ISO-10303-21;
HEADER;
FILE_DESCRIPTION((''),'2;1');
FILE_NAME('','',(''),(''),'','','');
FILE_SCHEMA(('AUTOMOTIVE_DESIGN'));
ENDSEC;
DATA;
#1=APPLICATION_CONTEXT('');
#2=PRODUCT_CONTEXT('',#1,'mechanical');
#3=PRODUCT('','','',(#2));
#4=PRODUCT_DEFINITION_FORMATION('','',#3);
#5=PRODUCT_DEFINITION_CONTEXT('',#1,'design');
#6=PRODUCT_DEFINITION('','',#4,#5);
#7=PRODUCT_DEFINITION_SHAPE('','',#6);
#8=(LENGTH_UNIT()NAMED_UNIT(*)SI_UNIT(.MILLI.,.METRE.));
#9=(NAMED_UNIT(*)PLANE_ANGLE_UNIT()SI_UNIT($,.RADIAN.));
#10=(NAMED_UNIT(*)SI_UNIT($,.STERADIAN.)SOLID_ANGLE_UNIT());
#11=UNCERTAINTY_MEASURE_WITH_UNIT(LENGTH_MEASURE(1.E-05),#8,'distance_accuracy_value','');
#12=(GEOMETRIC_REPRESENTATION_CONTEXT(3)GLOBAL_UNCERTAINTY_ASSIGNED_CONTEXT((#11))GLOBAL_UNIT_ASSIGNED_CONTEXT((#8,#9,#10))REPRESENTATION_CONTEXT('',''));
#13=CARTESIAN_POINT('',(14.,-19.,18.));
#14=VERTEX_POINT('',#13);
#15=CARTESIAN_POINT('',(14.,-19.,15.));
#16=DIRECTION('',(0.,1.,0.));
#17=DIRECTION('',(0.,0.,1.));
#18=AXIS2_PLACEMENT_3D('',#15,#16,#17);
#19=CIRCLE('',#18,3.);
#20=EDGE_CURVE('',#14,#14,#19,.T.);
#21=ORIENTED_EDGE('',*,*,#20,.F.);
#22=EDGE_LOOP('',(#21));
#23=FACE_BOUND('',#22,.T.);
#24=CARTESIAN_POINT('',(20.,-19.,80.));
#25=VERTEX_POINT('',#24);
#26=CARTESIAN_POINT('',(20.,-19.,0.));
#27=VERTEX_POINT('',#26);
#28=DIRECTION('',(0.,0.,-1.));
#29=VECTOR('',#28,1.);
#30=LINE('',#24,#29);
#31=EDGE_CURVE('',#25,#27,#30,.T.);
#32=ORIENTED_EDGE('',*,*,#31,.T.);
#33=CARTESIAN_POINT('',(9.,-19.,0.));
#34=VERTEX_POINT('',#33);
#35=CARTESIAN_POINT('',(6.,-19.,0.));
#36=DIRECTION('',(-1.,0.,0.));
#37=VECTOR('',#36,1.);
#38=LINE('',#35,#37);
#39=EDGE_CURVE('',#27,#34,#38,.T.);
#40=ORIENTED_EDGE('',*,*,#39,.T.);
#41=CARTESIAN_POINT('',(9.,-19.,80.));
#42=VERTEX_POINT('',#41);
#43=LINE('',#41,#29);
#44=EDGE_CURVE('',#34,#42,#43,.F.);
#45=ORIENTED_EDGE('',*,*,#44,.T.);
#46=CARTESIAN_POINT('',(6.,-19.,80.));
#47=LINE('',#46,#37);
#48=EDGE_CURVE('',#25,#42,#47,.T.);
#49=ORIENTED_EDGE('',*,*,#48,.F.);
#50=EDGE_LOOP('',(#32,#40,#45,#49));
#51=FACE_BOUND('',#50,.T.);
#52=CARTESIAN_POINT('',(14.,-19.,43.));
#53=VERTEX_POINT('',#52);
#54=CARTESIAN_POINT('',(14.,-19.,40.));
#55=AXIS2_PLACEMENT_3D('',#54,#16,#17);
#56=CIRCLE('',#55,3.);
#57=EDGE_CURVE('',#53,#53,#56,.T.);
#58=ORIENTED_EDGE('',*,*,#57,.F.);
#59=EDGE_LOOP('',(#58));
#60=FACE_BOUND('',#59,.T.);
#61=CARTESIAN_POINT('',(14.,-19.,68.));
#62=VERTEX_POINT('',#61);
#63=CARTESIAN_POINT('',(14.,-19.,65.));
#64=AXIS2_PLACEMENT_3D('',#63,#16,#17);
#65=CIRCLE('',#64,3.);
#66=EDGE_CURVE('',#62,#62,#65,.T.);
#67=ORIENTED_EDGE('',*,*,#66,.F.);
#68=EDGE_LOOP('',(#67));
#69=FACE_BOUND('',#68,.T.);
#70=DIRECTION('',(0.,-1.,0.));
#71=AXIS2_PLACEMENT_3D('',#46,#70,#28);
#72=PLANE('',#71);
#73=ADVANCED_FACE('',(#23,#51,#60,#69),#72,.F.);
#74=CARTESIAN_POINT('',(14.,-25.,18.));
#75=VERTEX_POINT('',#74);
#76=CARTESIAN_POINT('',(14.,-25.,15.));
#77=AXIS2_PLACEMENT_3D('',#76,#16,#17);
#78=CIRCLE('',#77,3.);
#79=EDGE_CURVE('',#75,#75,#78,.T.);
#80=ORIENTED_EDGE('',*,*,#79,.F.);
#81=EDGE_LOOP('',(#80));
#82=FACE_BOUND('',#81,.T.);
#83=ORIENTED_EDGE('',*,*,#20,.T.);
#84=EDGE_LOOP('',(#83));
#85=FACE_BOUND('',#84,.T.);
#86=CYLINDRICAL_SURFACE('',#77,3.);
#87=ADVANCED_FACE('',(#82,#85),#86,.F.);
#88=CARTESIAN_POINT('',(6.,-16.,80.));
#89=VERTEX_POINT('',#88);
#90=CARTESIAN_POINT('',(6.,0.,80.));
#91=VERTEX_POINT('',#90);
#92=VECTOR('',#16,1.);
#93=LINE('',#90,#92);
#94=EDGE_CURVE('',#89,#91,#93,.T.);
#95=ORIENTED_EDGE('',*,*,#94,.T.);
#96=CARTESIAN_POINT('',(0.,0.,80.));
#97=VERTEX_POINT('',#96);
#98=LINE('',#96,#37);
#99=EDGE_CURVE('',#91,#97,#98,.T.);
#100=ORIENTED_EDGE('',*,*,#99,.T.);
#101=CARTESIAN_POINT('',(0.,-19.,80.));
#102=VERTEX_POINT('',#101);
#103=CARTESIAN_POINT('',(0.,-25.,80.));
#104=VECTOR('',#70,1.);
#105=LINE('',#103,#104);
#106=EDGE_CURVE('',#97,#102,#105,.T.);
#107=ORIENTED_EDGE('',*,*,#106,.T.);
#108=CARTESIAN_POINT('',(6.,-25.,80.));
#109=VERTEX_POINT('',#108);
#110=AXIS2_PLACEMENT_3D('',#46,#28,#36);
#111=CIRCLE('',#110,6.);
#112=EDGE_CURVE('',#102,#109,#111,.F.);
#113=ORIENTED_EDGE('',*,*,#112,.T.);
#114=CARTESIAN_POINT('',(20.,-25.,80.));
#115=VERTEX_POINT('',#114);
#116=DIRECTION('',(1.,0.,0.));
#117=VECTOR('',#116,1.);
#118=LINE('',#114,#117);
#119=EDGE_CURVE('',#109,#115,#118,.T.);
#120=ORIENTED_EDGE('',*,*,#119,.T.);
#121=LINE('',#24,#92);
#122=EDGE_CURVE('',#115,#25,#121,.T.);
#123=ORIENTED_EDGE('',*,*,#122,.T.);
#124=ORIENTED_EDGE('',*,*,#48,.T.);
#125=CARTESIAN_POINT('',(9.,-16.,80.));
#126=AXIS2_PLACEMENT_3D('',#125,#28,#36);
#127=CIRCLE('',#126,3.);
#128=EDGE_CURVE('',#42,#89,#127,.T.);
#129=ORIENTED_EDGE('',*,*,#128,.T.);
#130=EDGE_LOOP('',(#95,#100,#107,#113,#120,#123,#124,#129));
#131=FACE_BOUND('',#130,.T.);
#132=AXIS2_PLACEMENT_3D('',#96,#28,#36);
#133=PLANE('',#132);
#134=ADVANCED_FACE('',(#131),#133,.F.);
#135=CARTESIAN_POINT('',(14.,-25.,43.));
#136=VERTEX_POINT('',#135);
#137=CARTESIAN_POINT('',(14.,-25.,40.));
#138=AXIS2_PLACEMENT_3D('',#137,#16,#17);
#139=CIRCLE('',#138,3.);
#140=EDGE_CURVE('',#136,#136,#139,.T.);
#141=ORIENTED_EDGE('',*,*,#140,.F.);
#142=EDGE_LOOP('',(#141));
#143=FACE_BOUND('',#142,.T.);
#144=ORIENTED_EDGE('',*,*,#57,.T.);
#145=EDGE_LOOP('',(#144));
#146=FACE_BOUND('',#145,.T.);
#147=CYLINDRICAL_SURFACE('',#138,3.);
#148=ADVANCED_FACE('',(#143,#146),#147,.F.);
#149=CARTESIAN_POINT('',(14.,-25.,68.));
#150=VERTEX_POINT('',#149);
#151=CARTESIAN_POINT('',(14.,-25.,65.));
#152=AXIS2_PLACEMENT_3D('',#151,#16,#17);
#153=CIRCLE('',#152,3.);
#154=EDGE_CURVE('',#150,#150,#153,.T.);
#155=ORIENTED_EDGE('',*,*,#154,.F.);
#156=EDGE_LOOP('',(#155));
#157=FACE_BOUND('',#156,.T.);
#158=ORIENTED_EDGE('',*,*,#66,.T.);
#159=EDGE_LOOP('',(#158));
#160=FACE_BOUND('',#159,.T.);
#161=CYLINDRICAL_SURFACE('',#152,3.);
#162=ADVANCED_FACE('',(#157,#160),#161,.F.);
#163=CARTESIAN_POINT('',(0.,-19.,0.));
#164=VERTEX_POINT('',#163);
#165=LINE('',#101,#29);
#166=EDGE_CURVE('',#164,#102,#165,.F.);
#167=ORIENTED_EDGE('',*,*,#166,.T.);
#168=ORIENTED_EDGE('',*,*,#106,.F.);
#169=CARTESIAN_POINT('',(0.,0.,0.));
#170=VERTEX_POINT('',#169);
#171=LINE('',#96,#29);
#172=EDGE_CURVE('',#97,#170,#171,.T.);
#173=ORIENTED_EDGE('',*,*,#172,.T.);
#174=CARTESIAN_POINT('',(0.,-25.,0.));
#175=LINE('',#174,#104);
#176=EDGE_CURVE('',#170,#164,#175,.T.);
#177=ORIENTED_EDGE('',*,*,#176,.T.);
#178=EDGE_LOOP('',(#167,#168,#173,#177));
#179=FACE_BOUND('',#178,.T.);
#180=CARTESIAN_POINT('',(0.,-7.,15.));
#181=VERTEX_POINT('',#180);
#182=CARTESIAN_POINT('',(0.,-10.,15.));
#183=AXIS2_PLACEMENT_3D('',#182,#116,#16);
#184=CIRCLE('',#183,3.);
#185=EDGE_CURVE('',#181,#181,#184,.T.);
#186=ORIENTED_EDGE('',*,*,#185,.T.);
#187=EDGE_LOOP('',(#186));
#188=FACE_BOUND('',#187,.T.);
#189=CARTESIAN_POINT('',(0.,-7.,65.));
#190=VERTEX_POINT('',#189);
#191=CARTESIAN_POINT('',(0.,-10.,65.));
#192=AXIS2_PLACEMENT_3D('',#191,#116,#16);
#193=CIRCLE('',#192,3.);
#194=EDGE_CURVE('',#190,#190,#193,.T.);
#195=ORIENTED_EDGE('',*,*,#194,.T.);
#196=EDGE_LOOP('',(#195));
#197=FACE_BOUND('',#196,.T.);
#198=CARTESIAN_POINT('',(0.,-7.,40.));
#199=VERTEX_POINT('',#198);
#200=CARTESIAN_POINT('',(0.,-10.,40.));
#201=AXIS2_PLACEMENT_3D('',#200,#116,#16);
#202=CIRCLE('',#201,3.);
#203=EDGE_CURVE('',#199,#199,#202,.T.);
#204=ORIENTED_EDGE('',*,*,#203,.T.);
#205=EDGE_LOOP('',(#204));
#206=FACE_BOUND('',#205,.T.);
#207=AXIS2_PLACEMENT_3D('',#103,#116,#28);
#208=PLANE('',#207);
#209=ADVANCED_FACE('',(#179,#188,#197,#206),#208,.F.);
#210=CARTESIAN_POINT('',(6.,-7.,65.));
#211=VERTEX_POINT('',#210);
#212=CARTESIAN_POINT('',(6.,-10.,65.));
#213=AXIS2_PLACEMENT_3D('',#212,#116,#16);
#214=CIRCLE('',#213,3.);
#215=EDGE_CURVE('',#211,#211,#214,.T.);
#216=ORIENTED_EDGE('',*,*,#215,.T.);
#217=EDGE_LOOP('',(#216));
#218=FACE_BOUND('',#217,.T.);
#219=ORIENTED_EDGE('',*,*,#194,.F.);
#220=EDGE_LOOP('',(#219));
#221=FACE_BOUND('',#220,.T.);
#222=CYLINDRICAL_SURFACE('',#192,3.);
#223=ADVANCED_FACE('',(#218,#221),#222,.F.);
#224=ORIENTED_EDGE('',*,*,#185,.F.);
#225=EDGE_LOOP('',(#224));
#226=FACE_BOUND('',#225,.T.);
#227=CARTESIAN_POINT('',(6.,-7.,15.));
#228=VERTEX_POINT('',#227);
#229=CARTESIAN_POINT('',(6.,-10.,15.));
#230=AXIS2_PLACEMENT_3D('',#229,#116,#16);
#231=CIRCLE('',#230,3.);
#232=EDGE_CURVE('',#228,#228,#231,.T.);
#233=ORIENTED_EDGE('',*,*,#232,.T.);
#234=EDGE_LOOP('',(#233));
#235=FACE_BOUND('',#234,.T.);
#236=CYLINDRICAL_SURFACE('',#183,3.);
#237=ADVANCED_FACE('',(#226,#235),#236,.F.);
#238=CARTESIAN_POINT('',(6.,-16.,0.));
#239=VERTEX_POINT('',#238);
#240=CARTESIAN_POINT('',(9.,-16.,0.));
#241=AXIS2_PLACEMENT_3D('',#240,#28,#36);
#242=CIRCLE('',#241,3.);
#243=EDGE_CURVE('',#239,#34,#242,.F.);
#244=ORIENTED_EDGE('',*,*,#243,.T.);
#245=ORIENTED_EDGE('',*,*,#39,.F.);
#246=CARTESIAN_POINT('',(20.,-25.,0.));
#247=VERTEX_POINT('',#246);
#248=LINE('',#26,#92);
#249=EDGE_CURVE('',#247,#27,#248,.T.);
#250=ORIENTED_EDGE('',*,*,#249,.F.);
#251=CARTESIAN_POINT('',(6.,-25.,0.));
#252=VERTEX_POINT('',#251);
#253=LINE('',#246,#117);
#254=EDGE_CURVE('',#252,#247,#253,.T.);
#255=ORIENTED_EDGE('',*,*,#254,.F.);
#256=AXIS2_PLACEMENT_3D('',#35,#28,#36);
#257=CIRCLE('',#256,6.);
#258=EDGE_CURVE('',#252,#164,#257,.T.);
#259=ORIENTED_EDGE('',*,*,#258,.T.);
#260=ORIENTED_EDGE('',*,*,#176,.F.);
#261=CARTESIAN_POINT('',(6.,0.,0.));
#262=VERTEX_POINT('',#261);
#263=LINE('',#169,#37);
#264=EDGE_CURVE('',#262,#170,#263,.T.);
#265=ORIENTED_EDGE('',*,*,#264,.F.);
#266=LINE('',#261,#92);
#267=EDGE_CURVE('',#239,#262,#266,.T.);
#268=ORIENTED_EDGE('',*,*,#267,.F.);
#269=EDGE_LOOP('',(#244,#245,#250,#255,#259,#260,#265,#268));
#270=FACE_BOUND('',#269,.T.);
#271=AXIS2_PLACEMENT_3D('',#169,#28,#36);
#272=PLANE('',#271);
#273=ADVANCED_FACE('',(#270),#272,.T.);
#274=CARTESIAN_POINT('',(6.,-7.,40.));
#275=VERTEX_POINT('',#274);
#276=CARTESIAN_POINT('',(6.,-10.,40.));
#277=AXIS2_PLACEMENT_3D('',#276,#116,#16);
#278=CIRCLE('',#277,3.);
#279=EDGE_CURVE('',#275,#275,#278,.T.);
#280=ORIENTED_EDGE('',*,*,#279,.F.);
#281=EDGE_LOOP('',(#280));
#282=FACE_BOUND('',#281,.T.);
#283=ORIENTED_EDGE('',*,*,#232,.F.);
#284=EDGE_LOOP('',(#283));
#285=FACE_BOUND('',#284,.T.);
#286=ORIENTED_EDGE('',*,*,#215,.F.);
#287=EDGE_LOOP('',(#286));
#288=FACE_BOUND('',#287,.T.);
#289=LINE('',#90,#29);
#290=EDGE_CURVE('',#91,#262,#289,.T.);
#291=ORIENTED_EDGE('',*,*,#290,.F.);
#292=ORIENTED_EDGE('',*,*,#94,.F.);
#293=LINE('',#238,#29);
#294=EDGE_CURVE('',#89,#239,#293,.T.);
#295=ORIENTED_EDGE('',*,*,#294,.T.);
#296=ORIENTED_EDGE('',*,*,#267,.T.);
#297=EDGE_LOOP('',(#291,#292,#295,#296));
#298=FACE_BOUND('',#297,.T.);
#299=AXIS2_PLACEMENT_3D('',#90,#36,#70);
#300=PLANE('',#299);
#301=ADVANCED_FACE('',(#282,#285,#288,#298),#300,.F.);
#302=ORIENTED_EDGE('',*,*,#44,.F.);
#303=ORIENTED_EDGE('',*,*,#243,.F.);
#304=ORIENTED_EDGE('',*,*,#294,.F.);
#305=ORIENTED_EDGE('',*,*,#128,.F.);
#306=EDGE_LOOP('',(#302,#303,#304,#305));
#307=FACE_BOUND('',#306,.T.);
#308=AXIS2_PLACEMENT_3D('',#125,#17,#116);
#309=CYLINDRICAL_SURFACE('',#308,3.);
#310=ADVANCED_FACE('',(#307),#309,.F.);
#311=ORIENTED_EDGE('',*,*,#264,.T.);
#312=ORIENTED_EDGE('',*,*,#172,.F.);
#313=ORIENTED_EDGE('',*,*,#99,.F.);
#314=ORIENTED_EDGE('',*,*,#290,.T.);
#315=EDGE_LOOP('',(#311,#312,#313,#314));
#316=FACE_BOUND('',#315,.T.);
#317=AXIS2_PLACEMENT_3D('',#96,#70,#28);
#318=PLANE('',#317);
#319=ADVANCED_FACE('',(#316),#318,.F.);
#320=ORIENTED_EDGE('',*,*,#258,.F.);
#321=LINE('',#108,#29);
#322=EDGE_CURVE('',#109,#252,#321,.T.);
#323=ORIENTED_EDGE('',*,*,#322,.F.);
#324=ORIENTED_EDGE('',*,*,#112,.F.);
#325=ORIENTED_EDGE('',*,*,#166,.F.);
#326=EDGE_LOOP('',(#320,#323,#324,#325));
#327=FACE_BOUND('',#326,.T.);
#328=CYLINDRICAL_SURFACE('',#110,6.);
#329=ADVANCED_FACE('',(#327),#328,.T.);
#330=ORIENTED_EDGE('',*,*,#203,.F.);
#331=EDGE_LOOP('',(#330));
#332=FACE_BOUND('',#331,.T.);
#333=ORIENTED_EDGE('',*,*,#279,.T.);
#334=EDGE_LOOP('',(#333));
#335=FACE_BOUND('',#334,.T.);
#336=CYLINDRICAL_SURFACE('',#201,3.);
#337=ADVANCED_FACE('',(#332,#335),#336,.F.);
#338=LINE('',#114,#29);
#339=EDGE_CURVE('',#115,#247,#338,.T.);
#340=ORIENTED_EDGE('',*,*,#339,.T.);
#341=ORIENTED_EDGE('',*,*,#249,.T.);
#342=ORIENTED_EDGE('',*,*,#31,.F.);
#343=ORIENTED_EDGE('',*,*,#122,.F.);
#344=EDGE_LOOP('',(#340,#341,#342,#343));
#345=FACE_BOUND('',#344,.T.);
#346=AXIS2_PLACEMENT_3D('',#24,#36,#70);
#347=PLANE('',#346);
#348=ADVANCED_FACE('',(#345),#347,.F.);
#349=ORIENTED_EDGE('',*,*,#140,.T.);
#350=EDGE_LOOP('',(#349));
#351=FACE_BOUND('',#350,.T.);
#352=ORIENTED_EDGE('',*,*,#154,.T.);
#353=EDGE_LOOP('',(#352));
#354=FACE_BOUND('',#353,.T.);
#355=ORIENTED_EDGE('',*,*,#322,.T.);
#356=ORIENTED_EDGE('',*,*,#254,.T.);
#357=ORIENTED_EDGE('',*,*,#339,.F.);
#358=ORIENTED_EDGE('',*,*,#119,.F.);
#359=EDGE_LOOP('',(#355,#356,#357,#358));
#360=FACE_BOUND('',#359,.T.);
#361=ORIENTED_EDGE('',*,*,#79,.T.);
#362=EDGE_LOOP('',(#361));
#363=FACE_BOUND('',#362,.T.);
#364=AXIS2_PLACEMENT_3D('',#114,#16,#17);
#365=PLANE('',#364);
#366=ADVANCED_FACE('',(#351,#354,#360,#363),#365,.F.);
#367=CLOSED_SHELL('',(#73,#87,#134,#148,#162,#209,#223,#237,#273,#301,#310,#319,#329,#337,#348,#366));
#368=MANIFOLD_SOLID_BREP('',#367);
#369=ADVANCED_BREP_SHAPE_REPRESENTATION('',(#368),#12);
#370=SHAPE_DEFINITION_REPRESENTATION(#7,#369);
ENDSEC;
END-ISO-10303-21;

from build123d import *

# Parameters (mm, degrees)
EXTRUDE_1_DEPTH     = 80
SKETCH_2_R          = 3
CUT_EXTRUDE_1_DEPTH = 85.976467331
SKETCH_3_R          = 3
CUT_EXTRUDE_2_DEPTH = 85.622691992
FILLET_1_R          = 6
FILLET_3_R          = 3


with BuildPart() as part:
    # 草图1 → 凸台-拉伸1 (new body)
    with BuildSketch(Plane.XY):
        Polygon((0, 0), (6, 0), (6, -19), (20, -19), (20, -25), (0, -25), align=None)
    extrude(amount=EXTRUDE_1_DEPTH)

    # 草图2 → 切除-拉伸1 (cut, through all)
    with BuildSketch(Plane(origin=(6, 0, 0), x_dir=(0, 0, -1), z_dir=(1, 0, 0))):
        with Locations(Location((-65, -10, 0), (0, 0, 90))):
            Circle(SKETCH_2_R)
        with Locations(Location((-15, -10, 0), (0, 0, 90))):
            Circle(SKETCH_2_R)
        with Locations(Location((-40, -10, 0), (0, 0, 90))):
            Circle(SKETCH_2_R)
    extrude(amount=-CUT_EXTRUDE_1_DEPTH, mode=Mode.SUBTRACT)

    # 草图3 → 切除-拉伸2 (cut, through all)
    with BuildSketch(Plane(origin=(0, -19, 0), x_dir=(1, 0, 0), z_dir=(0, 1, 0))):
        with Locations(Location((14, -15, 0), (0, 0, 270))):
            Circle(SKETCH_3_R)
        with Locations(Location((14, -65, 0), (0, 0, 270))):
            Circle(SKETCH_3_R)
        with Locations(Location((14, -40, 0), (0, 0, 270))):
            Circle(SKETCH_3_R)
    extrude(amount=-CUT_EXTRUDE_2_DEPTH, mode=Mode.SUBTRACT)

    # 圆角1
    fillet_1_edges = [part.edges().sort_by_distance(p)[0] for p in [
        (0, -25, 40),
    ]]
    fillet(fillet_1_edges, radius=FILLET_1_R)

    # 圆角3
    fillet_3_edges = [part.edges().sort_by_distance(p)[0] for p in [
        (6, -19, 40),
    ]]
    fillet(fillet_3_edges, radius=FILLET_3_R)


solid = part.part
